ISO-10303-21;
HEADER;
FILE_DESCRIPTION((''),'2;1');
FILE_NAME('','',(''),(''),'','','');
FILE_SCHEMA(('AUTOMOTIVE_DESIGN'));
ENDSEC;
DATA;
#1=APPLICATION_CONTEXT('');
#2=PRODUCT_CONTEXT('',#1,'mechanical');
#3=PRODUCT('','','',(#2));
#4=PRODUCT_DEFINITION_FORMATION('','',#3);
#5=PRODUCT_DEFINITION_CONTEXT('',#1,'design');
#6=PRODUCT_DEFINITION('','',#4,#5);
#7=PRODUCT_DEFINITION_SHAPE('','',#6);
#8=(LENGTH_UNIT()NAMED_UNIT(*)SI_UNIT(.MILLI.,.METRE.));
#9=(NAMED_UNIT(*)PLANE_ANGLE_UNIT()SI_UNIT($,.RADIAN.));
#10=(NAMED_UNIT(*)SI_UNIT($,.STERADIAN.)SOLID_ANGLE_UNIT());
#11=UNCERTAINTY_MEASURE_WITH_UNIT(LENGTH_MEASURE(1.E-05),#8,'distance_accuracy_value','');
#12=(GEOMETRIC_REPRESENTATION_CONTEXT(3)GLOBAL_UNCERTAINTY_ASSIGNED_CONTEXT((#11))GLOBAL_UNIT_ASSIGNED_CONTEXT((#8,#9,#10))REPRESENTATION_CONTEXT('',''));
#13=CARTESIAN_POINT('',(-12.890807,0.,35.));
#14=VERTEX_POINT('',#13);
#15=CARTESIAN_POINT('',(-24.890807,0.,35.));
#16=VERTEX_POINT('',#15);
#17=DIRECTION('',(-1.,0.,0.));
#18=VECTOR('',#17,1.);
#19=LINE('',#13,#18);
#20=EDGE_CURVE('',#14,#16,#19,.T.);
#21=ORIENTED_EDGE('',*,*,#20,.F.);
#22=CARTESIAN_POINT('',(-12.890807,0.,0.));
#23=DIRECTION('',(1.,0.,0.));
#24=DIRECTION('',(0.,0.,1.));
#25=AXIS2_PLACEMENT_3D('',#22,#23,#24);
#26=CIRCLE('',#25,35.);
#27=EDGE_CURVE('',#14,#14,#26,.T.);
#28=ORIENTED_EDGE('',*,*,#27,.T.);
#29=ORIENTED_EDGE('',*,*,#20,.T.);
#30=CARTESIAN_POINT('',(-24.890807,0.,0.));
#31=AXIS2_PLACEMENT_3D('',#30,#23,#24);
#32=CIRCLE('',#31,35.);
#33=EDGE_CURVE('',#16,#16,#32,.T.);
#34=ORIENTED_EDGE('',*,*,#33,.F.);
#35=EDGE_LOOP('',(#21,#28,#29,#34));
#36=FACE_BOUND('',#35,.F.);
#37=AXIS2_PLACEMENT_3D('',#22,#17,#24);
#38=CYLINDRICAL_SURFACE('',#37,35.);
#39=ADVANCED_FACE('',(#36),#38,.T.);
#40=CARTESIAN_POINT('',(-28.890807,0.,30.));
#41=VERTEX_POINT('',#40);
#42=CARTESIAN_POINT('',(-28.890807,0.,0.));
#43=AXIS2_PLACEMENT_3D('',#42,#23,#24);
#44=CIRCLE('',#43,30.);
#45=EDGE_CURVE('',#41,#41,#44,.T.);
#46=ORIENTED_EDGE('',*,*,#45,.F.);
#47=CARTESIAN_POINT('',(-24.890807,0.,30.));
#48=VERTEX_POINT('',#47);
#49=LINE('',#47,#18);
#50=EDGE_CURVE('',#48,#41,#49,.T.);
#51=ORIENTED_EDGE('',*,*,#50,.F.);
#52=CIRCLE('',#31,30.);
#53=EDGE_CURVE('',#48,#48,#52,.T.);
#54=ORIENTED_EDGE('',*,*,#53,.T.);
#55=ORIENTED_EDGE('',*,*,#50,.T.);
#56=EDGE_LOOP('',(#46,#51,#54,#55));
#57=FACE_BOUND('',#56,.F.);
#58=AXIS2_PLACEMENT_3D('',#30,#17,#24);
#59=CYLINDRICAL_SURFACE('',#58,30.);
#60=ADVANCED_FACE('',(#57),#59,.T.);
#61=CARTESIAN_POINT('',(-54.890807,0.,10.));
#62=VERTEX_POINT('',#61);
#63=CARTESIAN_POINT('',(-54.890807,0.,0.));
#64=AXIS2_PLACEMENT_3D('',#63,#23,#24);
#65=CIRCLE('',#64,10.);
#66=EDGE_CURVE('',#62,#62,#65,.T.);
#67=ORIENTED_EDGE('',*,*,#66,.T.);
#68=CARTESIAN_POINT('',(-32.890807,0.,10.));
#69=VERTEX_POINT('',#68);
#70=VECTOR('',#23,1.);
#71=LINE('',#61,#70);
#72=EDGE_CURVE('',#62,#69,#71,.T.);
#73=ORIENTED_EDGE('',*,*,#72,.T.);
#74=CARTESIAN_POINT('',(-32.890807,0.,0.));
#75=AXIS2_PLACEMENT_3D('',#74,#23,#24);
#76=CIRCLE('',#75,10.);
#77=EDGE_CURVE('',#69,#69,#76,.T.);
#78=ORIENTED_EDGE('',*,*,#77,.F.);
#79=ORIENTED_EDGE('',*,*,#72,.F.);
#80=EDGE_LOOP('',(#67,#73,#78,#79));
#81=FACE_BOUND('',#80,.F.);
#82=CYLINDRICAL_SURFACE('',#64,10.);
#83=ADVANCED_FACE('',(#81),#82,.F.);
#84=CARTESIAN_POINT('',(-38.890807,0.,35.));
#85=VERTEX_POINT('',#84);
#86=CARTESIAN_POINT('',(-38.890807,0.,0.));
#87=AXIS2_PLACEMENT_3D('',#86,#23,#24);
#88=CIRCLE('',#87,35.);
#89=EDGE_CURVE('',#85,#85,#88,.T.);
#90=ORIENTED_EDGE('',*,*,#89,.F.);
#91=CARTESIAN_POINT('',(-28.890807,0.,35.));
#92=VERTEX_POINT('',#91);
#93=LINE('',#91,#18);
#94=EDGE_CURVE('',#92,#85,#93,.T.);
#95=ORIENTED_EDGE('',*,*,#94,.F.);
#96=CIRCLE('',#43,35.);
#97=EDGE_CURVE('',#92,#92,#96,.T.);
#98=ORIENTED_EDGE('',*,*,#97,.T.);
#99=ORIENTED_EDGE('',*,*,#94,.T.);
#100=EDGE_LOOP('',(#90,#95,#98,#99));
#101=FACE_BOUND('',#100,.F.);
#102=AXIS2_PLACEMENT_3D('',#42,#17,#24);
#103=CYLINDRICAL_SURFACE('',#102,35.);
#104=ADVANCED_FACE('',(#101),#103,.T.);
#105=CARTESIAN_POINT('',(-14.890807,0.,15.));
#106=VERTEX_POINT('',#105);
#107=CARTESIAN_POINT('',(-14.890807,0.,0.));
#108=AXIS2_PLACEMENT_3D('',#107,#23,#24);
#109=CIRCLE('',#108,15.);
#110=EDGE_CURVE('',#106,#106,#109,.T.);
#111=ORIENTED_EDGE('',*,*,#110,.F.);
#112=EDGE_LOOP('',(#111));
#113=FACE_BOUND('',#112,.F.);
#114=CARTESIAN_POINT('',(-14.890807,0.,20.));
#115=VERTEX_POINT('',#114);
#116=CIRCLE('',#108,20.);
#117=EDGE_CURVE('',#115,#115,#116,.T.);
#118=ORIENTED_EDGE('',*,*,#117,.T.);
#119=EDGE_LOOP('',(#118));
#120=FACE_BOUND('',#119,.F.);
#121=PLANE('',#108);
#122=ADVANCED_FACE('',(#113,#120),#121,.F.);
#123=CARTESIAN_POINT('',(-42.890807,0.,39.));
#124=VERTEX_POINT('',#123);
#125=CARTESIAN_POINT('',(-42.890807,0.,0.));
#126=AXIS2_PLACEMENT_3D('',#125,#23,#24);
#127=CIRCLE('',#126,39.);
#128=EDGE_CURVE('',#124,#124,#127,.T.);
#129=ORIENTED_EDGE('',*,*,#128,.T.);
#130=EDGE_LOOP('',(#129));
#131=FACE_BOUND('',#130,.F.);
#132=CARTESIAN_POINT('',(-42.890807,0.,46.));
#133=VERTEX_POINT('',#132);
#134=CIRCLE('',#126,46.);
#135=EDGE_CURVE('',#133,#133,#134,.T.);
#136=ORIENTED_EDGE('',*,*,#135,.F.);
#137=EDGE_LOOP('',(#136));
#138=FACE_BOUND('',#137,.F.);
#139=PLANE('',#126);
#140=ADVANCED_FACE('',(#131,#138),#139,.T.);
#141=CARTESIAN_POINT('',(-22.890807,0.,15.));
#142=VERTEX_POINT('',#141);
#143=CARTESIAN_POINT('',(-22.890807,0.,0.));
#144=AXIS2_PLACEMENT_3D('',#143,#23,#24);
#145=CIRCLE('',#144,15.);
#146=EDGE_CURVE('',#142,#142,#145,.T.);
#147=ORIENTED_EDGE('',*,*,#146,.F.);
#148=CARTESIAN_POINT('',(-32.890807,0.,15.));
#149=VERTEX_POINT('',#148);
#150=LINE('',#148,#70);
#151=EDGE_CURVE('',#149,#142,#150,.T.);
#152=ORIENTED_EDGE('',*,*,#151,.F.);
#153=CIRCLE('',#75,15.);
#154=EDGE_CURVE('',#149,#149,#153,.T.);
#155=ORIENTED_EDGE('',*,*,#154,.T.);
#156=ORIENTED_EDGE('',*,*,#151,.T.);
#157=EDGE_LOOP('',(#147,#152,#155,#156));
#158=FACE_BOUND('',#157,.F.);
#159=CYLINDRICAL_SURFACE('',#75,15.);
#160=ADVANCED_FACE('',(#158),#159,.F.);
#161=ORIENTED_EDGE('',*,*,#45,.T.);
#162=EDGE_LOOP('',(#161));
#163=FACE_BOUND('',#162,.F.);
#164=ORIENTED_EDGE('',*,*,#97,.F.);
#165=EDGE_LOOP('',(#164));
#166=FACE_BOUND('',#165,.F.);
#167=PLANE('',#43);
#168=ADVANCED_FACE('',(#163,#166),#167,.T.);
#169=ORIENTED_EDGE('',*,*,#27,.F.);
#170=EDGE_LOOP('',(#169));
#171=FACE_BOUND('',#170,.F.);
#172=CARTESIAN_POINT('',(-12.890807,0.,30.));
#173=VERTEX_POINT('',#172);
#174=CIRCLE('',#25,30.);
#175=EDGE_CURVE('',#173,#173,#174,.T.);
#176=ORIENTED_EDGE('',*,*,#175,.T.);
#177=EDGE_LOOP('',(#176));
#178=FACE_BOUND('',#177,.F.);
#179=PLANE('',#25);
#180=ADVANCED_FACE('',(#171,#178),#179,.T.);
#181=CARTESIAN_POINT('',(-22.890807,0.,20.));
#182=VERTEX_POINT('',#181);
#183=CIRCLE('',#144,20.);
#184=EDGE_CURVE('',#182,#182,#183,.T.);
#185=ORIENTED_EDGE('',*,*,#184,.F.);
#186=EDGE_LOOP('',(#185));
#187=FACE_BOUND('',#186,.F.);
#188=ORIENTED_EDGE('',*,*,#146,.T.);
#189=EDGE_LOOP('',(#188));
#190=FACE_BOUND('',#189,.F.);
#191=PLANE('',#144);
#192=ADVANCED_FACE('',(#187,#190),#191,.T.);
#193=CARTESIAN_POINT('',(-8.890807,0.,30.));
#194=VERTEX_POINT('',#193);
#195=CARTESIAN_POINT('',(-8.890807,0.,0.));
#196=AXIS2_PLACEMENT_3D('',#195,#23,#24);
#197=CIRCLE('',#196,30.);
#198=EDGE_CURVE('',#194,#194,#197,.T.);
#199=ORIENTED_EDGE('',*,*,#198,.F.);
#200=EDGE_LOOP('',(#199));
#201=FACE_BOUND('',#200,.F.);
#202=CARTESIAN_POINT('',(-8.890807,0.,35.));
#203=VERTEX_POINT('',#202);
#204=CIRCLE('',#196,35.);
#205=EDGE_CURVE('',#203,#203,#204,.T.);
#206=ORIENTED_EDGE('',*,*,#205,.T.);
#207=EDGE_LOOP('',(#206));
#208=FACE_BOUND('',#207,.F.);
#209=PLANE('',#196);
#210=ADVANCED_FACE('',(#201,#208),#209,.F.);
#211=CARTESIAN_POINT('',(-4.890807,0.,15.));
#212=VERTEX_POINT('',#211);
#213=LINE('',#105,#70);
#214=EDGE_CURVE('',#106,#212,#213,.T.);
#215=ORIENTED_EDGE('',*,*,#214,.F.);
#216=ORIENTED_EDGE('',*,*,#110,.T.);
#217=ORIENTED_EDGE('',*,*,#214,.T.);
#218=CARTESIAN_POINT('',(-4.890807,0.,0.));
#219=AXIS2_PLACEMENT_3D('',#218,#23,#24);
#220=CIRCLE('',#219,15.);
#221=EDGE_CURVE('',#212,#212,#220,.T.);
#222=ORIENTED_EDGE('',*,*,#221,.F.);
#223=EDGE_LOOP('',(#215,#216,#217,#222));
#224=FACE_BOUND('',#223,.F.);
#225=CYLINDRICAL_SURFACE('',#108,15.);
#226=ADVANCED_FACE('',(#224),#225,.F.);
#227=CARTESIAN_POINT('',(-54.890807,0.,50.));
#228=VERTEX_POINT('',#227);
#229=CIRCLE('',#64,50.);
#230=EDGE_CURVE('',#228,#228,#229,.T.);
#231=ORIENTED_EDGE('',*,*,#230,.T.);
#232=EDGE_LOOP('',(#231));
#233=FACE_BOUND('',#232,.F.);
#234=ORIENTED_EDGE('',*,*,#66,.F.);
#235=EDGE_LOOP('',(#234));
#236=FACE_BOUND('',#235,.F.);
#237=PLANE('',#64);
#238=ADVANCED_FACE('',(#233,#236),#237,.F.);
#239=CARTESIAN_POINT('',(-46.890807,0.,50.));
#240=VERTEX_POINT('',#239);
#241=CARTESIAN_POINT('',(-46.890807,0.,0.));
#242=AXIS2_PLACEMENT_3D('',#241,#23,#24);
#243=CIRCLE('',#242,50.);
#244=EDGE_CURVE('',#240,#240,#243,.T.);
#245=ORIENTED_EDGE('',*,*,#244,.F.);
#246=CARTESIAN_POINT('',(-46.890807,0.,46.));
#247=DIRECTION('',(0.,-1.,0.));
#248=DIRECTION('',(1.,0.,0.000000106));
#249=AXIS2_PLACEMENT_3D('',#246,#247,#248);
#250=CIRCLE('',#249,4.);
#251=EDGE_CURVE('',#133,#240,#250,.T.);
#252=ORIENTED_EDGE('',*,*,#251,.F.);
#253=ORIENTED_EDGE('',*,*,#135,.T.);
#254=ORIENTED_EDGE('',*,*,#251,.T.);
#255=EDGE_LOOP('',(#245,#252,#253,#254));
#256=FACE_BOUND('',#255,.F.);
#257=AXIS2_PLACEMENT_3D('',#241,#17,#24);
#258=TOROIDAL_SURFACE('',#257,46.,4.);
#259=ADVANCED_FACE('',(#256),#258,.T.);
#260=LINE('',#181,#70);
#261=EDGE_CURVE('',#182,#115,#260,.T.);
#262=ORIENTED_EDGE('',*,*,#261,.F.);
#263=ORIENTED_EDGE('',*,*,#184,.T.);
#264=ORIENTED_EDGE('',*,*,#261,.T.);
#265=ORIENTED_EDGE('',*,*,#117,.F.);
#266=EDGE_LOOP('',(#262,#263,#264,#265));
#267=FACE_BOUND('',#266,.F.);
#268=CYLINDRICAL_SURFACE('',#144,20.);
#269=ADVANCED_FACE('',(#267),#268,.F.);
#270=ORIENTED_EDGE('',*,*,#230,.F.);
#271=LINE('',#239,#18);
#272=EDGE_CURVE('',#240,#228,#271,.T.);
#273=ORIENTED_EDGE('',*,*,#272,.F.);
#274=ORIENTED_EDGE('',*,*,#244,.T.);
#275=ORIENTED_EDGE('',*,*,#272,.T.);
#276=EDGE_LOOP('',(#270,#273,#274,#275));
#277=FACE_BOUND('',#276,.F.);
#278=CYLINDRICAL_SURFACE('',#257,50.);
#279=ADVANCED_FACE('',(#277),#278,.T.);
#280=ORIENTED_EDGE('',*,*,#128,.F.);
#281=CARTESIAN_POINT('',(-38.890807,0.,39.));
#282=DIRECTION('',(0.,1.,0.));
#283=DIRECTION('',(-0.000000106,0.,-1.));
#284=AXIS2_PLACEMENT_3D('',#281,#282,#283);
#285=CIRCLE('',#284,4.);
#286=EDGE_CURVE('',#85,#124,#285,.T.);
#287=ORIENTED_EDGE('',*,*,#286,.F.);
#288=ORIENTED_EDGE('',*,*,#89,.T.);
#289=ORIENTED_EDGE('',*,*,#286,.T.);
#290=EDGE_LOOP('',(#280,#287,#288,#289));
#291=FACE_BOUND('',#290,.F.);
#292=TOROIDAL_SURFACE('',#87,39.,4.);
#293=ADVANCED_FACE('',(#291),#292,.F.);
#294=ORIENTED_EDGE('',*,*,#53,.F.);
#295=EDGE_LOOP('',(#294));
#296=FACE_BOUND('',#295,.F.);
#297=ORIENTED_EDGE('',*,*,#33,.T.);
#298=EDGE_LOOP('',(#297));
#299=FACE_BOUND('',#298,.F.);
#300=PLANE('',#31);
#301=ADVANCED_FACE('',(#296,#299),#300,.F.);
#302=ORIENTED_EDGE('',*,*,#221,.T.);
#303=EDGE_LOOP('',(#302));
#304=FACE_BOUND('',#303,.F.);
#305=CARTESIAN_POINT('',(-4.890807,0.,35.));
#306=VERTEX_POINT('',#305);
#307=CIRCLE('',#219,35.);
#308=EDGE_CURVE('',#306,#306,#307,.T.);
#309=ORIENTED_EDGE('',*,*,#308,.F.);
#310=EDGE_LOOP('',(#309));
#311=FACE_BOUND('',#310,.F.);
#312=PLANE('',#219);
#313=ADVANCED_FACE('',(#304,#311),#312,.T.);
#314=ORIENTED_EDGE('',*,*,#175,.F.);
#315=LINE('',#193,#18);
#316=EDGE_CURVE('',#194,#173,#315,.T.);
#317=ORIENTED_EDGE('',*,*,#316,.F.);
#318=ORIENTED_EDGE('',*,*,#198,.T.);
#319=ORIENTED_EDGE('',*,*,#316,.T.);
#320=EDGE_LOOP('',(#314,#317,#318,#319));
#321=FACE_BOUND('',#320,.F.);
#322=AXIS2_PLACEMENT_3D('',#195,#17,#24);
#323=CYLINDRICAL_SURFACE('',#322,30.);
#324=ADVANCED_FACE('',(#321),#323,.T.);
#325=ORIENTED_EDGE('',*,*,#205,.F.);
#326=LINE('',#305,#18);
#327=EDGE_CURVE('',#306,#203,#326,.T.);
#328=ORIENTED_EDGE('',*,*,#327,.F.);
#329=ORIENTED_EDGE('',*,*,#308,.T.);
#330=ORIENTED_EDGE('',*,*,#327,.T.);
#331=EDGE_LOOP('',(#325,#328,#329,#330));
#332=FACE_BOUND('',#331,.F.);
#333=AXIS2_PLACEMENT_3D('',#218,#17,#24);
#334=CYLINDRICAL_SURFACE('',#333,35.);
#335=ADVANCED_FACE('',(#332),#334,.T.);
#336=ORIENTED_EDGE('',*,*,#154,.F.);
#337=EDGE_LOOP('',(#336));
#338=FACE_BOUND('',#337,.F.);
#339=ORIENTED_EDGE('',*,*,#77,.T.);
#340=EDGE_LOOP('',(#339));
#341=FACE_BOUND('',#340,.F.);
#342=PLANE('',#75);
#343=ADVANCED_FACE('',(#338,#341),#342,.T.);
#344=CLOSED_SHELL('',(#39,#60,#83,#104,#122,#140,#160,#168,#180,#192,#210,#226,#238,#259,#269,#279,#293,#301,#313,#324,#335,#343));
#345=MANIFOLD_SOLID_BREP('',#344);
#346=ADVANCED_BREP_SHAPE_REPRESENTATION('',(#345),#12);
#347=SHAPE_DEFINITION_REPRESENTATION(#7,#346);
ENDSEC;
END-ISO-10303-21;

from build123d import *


with BuildPart() as f1:
    # F0 (on Front) → F1 (revolve)
    with BuildSketch(Plane.XZ):
        with BuildLine():
            Line((-54.890807, 50), (-54.890807, 10))
            Line((-54.890807, 10), (-32.890807, 10))
            Line((-32.890807, 10), (-32.890807, 15))
            Line((-32.890807, 15), (-22.890807, 15))
            Line((-22.890807, 15), (-22.890807, 20))
            Line((-22.890807, 20), (-14.890807, 20))
            Line((-14.890807, 20), (-14.890807, 15))
            Line((-14.890807, 15), (-4.890807, 15))
            Line((-4.890807, 15), (-4.890807, 35))
            Line((-4.890807, 35), (-8.890807, 35))
            Line((-8.890807, 35), (-8.890807, 30))
            Line((-8.890807, 30), (-12.890807, 30))
            Line((-12.890807, 30), (-12.890807, 35))
            Line((-12.890807, 35), (-24.890807, 35))
            Line((-24.890807, 35), (-24.890807, 30))
            Line((-24.890807, 30), (-28.890807, 30))
            Line((-28.890807, 30), (-28.890807, 35))
            Line((-28.890807, 35), (-38.890807, 35))
            ThreePointArc((-38.890807, 35), (-41.719234, 36.171573), (-42.890807, 39))
            Line((-42.890807, 39), (-42.890807, 46))
            ThreePointArc((-42.890807, 46), (-44.06238, 48.828427), (-46.890807, 50))
            Line((-46.890807, 50), (-54.890807, 50))
        make_face()
    revolve(axis=Axis((-0.221242, 0, 0), (1, 0, 0)))


solid = f1.part
